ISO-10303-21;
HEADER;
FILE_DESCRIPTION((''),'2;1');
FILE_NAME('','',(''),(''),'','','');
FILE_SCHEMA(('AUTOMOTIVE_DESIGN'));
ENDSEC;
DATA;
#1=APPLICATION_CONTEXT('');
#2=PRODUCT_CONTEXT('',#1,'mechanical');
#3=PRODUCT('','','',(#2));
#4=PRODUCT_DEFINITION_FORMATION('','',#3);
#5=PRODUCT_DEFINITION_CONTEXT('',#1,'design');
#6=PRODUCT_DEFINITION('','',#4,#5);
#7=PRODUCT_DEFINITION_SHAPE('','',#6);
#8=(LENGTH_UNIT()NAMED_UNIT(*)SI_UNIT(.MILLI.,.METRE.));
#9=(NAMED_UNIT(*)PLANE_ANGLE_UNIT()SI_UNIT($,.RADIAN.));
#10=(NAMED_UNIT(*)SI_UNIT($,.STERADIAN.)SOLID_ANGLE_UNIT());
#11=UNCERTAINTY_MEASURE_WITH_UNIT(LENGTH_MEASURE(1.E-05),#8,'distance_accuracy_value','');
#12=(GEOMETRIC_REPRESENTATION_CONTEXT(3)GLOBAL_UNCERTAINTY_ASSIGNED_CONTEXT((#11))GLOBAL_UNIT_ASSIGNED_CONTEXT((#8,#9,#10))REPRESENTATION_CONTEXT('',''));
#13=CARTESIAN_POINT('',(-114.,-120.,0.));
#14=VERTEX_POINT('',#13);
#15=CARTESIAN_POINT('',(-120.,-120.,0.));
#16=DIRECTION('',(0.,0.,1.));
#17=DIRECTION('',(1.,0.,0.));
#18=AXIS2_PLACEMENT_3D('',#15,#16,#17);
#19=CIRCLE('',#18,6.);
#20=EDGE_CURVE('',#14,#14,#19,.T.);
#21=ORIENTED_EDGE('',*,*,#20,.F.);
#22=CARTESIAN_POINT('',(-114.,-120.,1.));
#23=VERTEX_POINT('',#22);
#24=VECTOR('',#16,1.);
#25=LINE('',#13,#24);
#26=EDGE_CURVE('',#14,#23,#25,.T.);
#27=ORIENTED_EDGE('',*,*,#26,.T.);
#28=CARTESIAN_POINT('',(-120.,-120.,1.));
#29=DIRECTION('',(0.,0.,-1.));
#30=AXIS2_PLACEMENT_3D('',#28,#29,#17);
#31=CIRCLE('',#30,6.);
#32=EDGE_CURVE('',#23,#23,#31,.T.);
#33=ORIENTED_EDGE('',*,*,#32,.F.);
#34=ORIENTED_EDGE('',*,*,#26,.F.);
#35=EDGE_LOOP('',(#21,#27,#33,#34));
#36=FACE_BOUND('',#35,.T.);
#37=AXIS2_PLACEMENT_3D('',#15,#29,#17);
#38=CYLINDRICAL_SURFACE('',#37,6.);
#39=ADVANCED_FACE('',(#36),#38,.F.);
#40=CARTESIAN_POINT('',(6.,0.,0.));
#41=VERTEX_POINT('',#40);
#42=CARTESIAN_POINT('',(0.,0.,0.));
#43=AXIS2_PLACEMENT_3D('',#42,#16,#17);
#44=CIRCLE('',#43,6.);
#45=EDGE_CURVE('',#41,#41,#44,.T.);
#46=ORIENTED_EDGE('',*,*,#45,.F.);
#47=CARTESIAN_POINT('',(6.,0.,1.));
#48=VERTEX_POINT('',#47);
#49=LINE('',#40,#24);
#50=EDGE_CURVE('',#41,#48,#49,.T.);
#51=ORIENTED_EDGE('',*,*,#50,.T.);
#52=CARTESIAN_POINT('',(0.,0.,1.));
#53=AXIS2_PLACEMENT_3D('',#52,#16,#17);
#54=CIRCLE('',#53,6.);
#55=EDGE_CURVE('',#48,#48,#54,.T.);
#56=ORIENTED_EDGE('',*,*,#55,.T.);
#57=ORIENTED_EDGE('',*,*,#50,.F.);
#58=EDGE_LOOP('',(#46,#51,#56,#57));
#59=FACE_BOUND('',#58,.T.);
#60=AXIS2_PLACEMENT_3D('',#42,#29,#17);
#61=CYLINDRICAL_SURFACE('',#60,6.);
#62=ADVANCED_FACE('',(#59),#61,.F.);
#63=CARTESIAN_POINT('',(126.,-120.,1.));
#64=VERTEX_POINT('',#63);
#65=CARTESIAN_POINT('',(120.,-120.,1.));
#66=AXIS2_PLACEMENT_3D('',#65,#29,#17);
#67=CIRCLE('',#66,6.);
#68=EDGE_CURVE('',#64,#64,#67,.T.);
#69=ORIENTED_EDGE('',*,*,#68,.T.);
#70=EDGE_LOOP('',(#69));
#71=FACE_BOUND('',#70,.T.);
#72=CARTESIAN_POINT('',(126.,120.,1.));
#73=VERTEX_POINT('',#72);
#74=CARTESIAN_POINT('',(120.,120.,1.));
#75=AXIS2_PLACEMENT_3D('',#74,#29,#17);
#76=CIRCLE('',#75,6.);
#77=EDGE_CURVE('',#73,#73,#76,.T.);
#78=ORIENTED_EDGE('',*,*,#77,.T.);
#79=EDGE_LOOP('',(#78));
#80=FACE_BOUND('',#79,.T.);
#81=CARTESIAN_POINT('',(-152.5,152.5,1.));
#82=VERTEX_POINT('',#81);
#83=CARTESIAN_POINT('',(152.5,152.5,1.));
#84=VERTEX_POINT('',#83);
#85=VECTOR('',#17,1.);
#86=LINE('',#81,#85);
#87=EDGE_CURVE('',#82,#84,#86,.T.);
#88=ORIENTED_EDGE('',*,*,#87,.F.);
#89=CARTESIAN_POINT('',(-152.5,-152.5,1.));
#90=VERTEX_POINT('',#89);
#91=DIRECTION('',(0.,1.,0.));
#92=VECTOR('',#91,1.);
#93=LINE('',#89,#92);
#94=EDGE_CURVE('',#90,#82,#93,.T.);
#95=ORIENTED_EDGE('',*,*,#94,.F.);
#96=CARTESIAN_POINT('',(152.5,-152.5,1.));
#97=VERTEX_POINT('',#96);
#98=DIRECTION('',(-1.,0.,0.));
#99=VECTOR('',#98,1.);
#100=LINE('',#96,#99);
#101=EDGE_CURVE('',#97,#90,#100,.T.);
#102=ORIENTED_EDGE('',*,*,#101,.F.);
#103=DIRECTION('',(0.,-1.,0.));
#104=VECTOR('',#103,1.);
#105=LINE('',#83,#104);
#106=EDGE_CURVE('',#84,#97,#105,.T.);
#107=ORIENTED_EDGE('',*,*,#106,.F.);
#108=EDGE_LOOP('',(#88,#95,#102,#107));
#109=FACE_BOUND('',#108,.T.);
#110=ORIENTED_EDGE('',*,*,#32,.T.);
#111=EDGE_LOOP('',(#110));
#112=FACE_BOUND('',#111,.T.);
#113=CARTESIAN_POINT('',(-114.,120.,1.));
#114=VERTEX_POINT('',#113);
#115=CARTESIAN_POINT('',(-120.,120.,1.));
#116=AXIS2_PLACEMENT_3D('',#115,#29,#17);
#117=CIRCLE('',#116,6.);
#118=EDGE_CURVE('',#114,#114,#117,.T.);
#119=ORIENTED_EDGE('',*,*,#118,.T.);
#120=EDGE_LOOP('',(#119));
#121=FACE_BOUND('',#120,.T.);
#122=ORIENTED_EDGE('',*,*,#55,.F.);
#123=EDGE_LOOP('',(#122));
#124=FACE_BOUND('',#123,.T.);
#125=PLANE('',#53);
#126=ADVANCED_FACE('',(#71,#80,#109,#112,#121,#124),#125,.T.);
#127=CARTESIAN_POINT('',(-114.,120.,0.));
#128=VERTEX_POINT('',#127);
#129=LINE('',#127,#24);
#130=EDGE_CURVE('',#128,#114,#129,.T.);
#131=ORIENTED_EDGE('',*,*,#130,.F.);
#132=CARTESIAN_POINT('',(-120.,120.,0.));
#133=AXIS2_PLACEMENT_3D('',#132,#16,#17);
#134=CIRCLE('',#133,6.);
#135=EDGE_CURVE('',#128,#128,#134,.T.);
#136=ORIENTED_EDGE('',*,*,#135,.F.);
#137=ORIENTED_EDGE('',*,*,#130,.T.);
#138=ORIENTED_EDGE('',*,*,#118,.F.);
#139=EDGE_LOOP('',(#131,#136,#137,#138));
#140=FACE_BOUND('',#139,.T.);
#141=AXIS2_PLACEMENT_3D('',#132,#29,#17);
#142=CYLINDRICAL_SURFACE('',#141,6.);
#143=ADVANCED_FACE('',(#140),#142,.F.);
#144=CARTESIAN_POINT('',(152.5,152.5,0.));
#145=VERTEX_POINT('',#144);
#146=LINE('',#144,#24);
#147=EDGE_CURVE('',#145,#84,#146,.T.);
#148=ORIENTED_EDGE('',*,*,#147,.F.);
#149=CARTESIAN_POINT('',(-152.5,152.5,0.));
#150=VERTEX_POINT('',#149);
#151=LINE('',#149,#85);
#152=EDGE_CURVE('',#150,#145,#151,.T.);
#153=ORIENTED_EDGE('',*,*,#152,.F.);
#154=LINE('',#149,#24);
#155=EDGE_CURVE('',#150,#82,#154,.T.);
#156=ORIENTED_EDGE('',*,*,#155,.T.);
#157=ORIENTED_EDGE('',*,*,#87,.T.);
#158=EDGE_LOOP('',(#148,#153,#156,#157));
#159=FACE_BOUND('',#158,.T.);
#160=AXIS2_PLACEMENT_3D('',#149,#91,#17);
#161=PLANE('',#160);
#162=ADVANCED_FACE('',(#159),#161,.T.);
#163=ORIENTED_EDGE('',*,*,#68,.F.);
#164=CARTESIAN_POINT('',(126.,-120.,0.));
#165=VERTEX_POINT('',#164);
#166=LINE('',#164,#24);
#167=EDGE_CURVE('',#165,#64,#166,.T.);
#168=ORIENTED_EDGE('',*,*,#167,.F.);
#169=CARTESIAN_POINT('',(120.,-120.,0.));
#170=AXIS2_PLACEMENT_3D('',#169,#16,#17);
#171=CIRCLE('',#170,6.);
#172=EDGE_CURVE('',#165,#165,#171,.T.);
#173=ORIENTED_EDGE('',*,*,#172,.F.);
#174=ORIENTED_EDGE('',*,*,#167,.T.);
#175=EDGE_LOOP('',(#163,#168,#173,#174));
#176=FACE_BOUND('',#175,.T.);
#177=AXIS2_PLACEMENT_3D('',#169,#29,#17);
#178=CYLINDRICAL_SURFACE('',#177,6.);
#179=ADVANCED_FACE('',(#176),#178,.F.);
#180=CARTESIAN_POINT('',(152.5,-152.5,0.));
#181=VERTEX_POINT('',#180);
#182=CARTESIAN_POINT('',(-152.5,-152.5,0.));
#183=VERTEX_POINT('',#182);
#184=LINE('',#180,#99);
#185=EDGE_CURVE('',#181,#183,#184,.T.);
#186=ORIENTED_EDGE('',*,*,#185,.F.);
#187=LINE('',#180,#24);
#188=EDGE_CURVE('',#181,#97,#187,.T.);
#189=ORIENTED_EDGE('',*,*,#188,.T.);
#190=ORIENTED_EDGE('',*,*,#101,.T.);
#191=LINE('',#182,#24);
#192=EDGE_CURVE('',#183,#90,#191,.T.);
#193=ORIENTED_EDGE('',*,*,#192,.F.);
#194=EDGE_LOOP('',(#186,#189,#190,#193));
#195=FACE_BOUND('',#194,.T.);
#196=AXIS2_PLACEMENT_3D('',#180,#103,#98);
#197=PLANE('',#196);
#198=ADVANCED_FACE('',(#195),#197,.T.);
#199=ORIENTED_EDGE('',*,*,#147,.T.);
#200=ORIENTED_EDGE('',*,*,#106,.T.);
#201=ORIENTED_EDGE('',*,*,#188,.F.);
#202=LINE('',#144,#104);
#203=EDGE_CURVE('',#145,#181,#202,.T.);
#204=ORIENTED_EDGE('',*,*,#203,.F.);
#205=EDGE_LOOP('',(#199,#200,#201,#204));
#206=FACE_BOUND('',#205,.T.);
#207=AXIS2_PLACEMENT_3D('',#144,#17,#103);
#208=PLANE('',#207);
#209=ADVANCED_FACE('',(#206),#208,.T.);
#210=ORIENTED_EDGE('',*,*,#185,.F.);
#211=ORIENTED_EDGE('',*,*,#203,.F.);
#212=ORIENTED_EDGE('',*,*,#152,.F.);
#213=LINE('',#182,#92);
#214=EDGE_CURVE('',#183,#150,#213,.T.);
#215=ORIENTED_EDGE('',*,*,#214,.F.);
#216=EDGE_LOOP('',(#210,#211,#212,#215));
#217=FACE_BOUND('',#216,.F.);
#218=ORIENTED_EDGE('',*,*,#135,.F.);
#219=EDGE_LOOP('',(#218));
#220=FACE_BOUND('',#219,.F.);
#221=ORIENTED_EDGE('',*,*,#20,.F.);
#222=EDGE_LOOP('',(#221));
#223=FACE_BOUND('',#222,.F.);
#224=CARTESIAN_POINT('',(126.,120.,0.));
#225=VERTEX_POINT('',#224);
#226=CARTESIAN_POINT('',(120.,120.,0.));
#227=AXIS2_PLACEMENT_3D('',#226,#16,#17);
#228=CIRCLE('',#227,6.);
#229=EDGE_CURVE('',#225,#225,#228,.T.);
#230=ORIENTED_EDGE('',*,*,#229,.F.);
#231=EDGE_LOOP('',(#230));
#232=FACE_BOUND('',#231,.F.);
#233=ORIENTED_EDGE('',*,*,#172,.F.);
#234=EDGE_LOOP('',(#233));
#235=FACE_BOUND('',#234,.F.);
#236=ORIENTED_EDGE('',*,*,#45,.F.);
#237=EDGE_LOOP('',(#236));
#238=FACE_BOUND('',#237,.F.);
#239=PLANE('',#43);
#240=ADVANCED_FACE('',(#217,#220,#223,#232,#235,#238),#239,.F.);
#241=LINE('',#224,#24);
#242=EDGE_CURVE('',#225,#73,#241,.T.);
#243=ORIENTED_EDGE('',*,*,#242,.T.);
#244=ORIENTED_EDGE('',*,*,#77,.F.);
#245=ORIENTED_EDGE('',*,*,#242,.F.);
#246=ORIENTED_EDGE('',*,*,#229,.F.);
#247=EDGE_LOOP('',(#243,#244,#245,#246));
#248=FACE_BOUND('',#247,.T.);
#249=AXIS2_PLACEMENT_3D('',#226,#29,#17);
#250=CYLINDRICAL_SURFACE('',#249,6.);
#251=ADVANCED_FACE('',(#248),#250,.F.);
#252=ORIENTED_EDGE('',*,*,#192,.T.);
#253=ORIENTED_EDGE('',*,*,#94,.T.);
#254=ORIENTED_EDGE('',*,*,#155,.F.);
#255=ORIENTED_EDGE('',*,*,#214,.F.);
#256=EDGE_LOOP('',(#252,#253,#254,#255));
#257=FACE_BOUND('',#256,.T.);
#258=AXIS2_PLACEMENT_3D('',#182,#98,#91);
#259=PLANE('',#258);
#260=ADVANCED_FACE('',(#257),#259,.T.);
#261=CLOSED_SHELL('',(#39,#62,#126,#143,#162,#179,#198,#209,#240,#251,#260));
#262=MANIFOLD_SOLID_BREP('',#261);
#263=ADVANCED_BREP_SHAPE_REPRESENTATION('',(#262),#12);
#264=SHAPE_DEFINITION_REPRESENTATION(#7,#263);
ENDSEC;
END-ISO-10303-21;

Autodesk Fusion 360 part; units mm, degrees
sketch "Sketch2" plane through (0, 0, 0) normal (0, 0, 1) x (1, 0, 0)
  line L0 (152.5, -152.5) -> (-152.5, -152.5)
  line L1 (-152.5, -152.5) -> (-152.5, 152.5)
  line L2 (-152.5, 152.5) -> (152.5, 152.5)
  line L3 (152.5, 152.5) -> (152.5, -152.5)
  line L4 (120, -120) -> (-120, -120)
  line L5 (-120, -120) -> (-120, 120)
  line L6 (-120, 120) -> (120, 120)
  line L7 (120, 120) -> (120, -120)
  line L8 (120, -120) -> (-120, 120) construction
  line L9 (-120, -120) -> (120, 120) construction
  circle A0 centre (120, 120) radius 6
  circle A1 centre (-120, 120) radius 6
  circle A2 centre (-120, -120) radius 6
  circle A3 centre (120, -120) radius 6
  circle A4 centre (0, 0) radius 6
  dimension "d6" = 305
  dimension "d7" = 305
  dimension "d8" = 240
  dimension "d9" = 240
  dimension "d10" = 12
  dimension "d12" = 360
  dimension "d15" = 12
extrude "Extrude1" add sketch "Sketch2" along normal blind 1 contours L0 L1 L2 L3 | L4 L5 L6 L7 A0 A1 A2 A3
